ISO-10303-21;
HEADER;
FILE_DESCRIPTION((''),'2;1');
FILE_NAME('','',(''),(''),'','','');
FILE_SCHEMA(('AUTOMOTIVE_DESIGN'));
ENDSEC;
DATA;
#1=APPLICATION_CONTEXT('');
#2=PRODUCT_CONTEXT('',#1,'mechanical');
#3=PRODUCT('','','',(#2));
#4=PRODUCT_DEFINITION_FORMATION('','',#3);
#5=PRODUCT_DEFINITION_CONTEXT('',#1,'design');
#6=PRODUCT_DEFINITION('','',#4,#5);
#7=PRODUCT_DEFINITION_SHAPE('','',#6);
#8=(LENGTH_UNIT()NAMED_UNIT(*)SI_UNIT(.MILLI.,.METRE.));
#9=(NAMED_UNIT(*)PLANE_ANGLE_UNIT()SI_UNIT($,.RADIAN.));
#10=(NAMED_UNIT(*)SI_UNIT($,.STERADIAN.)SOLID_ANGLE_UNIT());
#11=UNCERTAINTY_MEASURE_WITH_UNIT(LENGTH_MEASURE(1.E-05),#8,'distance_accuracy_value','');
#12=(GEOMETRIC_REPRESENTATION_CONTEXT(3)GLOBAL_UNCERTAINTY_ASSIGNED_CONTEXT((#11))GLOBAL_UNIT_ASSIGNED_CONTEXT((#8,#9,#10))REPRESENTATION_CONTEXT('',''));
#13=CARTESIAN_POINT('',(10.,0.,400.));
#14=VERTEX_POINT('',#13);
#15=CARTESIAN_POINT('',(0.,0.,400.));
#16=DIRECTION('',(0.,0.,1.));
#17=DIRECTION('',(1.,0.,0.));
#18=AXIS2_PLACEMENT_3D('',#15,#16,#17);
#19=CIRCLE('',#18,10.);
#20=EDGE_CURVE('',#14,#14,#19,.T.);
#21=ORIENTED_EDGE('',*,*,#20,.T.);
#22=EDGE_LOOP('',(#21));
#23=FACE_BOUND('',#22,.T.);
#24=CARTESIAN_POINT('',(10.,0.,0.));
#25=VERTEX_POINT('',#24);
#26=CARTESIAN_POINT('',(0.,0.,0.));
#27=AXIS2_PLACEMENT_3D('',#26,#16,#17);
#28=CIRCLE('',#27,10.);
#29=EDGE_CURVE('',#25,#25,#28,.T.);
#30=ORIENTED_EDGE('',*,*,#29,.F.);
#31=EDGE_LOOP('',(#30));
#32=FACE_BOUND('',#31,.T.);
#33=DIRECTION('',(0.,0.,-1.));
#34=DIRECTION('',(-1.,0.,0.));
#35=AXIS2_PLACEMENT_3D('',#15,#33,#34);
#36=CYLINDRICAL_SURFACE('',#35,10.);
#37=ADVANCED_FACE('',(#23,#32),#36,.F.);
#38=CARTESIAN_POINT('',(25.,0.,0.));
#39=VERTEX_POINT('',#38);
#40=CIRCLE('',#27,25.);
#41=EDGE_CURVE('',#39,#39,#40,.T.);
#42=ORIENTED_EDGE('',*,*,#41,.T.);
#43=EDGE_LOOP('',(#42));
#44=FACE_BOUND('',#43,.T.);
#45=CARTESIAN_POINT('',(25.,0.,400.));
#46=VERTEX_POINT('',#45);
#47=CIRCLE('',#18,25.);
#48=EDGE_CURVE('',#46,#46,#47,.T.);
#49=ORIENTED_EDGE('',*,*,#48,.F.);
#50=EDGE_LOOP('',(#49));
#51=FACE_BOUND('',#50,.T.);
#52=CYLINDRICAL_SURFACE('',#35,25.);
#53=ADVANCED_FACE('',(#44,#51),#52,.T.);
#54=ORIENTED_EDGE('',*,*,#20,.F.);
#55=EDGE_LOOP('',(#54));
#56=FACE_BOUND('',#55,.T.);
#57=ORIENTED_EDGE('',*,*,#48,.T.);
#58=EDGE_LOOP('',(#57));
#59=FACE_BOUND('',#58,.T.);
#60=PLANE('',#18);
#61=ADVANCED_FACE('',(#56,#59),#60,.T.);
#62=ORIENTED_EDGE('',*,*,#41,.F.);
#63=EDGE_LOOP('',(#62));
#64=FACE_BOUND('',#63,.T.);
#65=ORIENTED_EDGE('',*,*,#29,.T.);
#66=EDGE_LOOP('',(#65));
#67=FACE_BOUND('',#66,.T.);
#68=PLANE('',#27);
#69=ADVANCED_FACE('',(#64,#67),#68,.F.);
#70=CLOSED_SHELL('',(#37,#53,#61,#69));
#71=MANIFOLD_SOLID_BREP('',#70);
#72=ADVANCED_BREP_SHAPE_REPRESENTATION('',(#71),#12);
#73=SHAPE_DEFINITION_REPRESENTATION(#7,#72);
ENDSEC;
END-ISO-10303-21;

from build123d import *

# Parameters (mm, degrees)
CROQUIS1_R              = 25
CROQUIS1_R_2            = 10
SALIENTE_EXTRUIR1_DEPTH = 400


with BuildPart() as part:
    # Croquis1 → Saliente-Extruir1 (new body)
    with BuildSketch(Plane.XY):
        Circle(CROQUIS1_R)
        Circle(CROQUIS1_R_2, mode=Mode.SUBTRACT)
    extrude(amount=SALIENTE_EXTRUIR1_DEPTH)


solid = part.part
